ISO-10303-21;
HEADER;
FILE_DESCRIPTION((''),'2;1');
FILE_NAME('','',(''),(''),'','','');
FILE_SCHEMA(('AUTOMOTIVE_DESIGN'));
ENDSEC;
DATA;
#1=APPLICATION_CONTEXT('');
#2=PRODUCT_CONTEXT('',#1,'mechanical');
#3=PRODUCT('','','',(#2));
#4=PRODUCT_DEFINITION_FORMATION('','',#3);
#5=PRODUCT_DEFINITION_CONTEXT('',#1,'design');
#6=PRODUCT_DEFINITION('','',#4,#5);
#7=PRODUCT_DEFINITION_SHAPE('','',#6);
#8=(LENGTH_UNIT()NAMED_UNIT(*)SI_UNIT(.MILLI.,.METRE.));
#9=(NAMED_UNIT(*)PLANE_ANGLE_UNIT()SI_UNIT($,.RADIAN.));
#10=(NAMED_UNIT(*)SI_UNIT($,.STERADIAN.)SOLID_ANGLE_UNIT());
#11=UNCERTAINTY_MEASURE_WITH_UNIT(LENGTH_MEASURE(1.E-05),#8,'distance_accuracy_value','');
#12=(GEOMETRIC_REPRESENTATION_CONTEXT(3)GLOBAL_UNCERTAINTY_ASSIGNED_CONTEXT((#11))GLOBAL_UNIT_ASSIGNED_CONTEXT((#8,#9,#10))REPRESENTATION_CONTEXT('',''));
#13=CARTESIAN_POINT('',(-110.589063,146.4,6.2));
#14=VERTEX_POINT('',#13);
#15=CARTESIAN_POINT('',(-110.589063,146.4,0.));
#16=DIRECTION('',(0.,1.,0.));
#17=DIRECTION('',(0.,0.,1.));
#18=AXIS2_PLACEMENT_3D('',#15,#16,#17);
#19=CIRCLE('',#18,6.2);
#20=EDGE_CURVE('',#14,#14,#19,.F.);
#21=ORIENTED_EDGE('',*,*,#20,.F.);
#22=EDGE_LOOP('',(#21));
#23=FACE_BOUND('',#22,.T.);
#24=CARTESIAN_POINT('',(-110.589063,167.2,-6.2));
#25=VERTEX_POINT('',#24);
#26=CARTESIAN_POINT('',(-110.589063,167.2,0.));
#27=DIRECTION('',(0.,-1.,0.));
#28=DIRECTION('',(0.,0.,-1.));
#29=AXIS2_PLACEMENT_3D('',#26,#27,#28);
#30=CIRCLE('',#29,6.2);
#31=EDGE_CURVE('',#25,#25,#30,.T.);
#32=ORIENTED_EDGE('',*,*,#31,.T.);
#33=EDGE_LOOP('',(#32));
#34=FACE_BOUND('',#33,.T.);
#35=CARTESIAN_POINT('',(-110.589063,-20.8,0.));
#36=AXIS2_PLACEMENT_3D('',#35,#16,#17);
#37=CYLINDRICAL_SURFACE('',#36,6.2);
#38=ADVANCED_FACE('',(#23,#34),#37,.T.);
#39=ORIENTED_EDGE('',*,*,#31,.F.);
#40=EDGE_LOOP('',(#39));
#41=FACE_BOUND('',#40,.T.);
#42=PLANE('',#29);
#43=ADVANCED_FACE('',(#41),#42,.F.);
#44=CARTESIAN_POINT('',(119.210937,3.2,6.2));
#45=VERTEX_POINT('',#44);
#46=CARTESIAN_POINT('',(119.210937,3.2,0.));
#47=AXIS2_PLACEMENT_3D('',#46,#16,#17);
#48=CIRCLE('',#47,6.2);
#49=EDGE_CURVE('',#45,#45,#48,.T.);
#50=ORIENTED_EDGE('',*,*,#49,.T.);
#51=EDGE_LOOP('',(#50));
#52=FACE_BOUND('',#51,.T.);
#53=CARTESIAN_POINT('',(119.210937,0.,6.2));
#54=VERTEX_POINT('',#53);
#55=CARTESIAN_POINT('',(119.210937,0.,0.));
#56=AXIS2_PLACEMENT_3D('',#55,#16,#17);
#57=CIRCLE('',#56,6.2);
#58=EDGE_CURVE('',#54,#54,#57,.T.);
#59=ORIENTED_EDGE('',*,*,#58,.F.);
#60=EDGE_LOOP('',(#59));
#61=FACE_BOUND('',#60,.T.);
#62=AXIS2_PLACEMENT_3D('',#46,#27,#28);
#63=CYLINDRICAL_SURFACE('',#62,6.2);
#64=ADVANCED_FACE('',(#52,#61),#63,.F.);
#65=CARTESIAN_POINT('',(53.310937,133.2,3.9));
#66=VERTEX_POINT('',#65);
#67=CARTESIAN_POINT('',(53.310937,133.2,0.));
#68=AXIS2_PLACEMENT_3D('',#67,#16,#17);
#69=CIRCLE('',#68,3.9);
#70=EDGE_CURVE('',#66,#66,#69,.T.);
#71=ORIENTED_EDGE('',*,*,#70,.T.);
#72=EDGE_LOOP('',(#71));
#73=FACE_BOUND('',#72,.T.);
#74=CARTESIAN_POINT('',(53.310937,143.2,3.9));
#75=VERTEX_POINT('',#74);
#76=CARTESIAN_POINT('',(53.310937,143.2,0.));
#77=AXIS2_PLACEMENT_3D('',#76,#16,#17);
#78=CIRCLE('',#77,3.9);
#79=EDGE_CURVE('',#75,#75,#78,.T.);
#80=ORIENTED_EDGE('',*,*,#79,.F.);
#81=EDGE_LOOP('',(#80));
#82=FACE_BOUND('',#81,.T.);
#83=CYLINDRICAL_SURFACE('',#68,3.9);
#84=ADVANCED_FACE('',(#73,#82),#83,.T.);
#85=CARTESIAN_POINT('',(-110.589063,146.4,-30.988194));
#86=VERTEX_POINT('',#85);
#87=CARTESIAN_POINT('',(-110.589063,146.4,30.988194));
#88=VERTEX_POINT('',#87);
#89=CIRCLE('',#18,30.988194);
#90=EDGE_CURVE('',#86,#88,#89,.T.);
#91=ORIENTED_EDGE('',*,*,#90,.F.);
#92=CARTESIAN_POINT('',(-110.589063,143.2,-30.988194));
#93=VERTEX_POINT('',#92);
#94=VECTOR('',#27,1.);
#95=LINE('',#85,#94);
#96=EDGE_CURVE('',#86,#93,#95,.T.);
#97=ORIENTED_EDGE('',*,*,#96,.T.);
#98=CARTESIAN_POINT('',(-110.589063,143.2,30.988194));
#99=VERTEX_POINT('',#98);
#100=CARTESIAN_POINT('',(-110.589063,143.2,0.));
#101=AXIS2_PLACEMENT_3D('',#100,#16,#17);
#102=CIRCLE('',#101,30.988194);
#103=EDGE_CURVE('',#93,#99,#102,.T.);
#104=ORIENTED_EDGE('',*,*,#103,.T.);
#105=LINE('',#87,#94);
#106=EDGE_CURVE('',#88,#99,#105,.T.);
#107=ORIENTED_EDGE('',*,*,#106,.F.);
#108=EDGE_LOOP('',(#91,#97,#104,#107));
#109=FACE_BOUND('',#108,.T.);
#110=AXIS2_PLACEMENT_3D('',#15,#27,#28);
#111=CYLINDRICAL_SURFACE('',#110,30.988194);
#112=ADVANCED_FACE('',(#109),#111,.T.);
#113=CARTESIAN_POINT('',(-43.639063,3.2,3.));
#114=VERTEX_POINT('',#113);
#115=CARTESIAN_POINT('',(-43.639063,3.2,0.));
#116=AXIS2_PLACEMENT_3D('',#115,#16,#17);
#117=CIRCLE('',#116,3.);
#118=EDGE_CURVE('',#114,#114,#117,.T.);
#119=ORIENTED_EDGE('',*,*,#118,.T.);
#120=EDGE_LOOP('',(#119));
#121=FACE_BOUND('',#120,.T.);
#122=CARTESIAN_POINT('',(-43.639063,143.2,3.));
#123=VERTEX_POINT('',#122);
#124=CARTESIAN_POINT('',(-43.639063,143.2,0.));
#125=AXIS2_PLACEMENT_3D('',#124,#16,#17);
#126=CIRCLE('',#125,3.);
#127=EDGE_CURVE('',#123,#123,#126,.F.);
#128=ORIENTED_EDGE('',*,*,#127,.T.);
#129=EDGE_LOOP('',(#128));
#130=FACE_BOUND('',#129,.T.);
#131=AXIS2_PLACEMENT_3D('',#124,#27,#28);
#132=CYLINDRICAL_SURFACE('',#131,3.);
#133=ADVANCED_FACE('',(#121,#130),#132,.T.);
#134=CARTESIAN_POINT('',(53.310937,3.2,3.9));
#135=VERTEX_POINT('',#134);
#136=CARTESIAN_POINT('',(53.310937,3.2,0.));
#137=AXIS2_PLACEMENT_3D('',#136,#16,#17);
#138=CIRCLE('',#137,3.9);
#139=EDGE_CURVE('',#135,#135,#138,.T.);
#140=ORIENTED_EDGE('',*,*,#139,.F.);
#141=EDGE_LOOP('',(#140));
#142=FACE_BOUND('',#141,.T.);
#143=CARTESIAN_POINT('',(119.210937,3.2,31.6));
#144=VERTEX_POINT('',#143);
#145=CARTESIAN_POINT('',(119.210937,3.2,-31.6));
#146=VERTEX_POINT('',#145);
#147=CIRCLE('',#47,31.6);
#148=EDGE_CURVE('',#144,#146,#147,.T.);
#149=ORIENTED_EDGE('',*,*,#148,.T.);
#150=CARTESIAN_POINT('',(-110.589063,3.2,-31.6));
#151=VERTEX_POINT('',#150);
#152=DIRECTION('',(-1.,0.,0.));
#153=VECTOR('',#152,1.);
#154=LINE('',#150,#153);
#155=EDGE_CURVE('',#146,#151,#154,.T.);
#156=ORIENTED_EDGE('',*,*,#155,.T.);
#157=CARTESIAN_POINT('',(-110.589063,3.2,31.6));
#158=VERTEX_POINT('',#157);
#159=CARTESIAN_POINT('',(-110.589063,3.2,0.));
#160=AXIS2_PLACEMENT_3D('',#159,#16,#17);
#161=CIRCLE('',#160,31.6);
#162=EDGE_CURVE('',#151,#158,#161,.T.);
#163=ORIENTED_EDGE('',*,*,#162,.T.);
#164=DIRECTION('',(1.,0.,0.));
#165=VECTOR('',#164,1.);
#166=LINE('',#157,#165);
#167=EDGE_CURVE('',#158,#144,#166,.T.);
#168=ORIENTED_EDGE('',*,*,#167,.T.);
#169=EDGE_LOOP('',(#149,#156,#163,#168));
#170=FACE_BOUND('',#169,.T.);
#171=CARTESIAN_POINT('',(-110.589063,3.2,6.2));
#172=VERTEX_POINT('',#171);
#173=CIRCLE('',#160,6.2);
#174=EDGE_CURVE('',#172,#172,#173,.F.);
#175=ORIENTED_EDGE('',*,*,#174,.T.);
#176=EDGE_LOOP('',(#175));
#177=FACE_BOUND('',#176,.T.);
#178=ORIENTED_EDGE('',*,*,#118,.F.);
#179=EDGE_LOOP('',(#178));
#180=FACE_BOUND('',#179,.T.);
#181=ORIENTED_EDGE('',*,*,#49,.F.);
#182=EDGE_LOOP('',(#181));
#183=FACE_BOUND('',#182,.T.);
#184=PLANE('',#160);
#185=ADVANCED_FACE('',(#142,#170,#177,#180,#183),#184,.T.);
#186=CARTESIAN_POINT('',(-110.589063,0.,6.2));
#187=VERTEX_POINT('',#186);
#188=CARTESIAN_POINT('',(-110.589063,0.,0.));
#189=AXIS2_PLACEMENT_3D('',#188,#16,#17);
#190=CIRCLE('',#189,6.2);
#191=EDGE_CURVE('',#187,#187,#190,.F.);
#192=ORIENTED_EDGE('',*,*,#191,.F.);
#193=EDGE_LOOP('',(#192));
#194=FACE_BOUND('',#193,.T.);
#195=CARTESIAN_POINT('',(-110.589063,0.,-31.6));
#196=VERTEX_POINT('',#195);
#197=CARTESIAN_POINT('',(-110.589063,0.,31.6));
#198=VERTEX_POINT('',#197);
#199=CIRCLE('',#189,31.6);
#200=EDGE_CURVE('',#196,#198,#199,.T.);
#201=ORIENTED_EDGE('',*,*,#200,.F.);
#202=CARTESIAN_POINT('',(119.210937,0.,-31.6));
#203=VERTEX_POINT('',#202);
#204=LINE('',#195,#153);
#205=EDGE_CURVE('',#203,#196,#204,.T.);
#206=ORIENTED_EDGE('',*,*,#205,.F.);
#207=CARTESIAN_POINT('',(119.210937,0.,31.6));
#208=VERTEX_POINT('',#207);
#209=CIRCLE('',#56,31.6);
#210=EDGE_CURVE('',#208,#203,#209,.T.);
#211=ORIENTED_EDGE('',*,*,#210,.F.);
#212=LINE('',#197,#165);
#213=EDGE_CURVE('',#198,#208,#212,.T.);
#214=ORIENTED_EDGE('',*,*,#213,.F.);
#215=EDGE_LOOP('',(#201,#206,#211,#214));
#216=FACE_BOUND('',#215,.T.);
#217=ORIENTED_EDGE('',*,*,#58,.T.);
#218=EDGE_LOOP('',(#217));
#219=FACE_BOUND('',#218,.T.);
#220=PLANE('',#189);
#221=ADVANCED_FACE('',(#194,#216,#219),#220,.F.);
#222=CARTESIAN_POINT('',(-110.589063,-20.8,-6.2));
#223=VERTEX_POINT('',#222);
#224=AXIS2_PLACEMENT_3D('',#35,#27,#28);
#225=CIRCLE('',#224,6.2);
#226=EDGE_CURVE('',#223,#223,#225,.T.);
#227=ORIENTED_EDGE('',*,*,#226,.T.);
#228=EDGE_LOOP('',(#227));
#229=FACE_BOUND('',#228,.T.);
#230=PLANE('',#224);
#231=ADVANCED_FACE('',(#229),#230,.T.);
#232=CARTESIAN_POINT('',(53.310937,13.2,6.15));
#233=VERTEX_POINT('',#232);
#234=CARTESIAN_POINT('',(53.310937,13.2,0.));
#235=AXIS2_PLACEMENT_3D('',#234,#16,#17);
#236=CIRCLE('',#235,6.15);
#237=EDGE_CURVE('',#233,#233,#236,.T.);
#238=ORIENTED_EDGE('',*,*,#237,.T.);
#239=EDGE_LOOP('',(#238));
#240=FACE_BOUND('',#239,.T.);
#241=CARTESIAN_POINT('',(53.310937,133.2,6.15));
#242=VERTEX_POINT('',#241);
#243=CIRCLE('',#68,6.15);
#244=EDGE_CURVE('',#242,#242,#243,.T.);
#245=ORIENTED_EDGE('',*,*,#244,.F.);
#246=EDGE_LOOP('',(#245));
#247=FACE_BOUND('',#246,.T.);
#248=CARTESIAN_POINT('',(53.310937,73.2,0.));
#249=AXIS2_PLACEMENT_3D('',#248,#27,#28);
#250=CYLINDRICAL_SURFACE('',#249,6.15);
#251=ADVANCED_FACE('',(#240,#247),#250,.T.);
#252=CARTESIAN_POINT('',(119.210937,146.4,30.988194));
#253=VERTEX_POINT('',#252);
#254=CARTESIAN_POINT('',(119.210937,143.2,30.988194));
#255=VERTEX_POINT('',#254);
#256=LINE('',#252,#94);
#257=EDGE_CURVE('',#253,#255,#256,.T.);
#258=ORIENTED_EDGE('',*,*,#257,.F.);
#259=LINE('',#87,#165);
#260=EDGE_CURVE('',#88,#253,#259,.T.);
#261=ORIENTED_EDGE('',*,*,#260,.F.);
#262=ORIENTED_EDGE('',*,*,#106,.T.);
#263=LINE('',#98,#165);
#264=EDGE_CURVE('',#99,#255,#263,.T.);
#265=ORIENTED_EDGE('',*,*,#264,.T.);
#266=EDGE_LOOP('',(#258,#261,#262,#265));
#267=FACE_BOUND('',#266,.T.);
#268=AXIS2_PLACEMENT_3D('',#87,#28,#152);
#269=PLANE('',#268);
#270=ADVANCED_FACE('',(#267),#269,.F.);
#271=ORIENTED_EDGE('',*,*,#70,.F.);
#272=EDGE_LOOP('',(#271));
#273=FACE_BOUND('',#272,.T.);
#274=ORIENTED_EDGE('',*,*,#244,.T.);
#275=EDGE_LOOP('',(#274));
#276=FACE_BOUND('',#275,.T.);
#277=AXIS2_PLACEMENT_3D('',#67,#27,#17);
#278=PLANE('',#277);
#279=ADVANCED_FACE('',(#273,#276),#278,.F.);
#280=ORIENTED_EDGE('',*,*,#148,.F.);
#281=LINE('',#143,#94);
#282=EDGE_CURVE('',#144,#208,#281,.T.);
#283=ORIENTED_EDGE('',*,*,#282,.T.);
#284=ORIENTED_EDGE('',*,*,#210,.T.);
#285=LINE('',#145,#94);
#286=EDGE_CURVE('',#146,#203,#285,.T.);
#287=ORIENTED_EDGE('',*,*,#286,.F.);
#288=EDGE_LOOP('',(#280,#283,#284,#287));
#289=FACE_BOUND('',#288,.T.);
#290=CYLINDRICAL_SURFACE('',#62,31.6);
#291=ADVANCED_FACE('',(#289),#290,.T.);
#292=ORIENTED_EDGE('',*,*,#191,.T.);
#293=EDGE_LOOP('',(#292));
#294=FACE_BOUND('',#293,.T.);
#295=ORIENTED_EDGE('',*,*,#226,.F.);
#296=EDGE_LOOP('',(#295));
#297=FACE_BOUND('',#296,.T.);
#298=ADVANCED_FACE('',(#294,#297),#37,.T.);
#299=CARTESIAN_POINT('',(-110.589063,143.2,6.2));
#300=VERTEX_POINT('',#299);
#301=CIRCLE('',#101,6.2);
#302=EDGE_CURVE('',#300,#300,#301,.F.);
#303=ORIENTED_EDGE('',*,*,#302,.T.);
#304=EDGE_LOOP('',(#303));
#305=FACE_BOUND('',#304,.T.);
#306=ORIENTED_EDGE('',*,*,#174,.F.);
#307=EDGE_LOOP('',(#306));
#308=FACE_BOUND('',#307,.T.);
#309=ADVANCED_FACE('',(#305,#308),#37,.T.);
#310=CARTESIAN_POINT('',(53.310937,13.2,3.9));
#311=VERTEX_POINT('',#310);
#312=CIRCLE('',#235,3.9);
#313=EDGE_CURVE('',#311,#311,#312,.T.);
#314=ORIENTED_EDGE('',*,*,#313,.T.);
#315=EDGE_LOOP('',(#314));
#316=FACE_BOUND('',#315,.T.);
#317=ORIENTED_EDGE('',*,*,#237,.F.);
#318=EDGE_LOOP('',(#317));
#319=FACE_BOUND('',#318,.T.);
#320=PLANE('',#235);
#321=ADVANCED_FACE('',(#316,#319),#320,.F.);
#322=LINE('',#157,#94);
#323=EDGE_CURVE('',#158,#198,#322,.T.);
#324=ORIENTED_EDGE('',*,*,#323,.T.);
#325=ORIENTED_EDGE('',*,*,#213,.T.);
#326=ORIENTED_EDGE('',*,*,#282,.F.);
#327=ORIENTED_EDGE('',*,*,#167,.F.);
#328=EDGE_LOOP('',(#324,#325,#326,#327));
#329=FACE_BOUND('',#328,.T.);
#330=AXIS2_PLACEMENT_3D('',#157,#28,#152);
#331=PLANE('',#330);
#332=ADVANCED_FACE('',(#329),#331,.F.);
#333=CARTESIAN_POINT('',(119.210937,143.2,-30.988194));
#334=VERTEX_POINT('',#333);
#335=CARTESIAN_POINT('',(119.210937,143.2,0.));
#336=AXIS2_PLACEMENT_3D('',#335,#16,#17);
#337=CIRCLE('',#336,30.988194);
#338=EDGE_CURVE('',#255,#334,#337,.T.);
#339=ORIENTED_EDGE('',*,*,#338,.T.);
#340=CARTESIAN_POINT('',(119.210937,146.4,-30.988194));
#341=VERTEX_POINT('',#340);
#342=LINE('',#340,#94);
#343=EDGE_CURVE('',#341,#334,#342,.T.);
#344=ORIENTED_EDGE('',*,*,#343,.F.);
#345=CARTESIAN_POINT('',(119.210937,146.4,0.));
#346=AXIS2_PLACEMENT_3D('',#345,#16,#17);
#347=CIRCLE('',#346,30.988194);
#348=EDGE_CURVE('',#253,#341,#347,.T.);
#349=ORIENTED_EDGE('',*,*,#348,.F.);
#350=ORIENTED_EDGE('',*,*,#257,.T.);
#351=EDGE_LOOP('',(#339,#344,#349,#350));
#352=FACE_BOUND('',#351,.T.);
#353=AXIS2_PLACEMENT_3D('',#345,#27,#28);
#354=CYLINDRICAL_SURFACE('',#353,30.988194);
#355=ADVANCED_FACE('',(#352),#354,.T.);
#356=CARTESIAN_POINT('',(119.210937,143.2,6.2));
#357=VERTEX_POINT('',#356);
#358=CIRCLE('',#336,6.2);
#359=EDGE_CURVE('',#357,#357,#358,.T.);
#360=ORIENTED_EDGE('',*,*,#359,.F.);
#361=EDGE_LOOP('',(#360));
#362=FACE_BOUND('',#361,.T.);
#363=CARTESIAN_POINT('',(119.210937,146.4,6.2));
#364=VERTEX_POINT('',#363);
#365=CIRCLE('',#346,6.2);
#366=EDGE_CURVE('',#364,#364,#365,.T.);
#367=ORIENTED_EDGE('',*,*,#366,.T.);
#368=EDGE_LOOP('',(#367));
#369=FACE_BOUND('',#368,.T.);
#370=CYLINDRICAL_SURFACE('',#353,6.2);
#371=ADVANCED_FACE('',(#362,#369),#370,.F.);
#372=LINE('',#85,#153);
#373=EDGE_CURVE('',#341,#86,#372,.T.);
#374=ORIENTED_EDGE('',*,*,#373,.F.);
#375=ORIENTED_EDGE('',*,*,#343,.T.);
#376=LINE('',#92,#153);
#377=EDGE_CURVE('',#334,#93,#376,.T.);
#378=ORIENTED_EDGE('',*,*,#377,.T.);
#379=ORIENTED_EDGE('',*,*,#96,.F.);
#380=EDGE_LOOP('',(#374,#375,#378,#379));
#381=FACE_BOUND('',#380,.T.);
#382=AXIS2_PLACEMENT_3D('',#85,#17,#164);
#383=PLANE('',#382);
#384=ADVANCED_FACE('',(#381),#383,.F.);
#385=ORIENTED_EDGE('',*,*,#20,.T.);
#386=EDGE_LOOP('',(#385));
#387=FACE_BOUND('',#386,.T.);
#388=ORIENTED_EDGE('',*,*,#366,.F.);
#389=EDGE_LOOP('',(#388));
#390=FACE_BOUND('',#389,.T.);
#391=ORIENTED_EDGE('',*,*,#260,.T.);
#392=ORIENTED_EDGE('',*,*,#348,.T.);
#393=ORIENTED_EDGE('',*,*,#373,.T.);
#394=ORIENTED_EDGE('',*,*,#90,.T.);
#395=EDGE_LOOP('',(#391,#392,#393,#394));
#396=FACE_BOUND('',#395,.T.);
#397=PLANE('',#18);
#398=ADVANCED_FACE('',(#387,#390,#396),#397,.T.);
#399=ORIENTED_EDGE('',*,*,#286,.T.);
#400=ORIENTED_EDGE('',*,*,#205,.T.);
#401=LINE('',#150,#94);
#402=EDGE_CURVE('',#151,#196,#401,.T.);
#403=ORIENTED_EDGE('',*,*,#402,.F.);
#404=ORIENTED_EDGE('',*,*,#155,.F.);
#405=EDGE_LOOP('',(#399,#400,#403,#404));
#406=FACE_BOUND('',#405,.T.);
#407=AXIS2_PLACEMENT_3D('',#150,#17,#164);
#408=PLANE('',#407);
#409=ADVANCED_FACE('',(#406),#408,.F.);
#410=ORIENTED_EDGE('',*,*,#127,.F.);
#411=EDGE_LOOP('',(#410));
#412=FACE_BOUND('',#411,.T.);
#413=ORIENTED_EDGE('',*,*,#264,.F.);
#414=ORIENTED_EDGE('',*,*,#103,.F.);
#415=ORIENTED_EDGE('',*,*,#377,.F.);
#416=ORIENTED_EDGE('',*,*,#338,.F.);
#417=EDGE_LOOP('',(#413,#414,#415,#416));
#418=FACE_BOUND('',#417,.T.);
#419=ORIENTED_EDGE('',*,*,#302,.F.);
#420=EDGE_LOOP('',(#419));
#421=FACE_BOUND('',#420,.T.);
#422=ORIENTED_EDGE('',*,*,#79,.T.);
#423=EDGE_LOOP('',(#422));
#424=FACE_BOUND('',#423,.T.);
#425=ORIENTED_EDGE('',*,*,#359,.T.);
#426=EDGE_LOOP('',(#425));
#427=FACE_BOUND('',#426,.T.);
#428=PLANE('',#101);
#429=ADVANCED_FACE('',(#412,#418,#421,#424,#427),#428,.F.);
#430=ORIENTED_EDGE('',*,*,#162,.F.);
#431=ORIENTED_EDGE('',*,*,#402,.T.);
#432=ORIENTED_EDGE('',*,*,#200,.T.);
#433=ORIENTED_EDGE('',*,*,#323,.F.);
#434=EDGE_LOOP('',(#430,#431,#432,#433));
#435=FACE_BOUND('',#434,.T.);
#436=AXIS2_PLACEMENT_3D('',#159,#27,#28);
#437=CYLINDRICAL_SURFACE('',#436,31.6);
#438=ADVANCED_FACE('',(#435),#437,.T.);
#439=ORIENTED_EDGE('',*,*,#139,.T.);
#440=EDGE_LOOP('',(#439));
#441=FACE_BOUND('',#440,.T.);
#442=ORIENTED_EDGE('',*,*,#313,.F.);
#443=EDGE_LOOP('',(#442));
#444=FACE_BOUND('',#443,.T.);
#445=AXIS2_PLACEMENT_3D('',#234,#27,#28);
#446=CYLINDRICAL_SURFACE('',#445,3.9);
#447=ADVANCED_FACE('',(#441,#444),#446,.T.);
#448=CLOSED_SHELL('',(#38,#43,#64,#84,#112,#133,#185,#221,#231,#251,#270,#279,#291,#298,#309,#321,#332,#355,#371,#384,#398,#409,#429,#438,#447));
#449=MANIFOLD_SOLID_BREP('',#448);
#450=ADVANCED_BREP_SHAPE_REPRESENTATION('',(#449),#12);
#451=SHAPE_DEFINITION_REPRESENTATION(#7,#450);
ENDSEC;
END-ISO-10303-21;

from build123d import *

# Parameters (mm, degrees)
SKETCH1_R            = 6.2
BOSS_EXTRUDE1_DEPTH  = 3.2
SKETCH8_R            = 6.15
BOSS_EXTRUDE5_DEPTH  = 140
SKETCH11_R           = 6.2
BOSS_EXTRUDE6_DEPTH  = 3.2
SKETCH12_R           = 3
BOSS_EXTRUDE7_DEPTH  = 140
SKETCH14_R           = 3.9
BOSS_EXTRUDE8_DEPTH  = 10
SKETCH15_R           = 6.15
BOSS_EXTRUDE9_DEPTH  = 60
SKETCH16_R           = 6.2
BOSS_EXTRUDE10_DEPTH = 94


with BuildPart() as part:
    # Sketch1 → Boss-Extrude1 (new body)
    with BuildSketch(Plane(origin=(0, 0, 0), x_dir=(1, 0, 0), z_dir=(0, 1, 0))):
        with BuildLine():
            Line((-110.589063221, 31.6), (119.210936779, 31.6))
            ThreePointArc((119.210936779, 31.6), (150.810936779, 0), (119.210936779, -31.6))
            Line((119.210936779, -31.6), (-110.589063221, -31.6))
            ThreePointArc((-110.589063221, -31.6), (-142.189063221, 0), (-110.589063221, 31.6))
        make_face()
        with Locations(Location((119.210936779, 0, 0), (0, 0, 270))):
            Circle(SKETCH1_R, mode=Mode.SUBTRACT)
    extrude(amount=BOSS_EXTRUDE1_DEPTH)

    # Sketch8 → Boss-Extrude5 (add)
    with BuildSketch(Plane(origin=(0, 3.2, 0), x_dir=(1, 0, 0), z_dir=(0, 1, 0))):
        with Locations(Location((-110.589063221, 0, 0), (0, 0, 270))):
            Circle(SKETCH8_R)
    extrude(amount=BOSS_EXTRUDE5_DEPTH)

    # Sketch11 → Boss-Extrude6 (add)
    with BuildSketch(Plane(origin=(0, 143.2, 0), x_dir=(1, 0, 0), z_dir=(0, 1, 0))):
        with BuildLine():
            Line((-110.589063221, 30.988193708), (119.210936779, 30.988193708))
            ThreePointArc((119.210936779, 30.988193708), (150.199130487, 0), (119.210936779, -30.988193708))
            Line((119.210936779, -30.988193708), (-110.589063221, -30.988193708))
            ThreePointArc((-110.589063221, -30.988193708), (-141.577256929, 0), (-110.589063221, 30.988193708))
        make_face()
        with Locations(Location((119.210936779, 0, 0), (0, 0, 270))):
            Circle(SKETCH11_R, mode=Mode.SUBTRACT)
    extrude(amount=BOSS_EXTRUDE6_DEPTH)

    # Sketch12 → Boss-Extrude7 (add)
    with BuildSketch(Plane(origin=(0, 3.2, 0), x_dir=(1, 0, 0), z_dir=(0, 1, 0))):
        with Locations(Location((-43.639063221, 0, 0), (0, 0, 270))):
            Circle(SKETCH12_R)
    extrude(amount=BOSS_EXTRUDE7_DEPTH)

    # Sketch14 → Boss-Extrude8 (add)
    with BuildSketch(Plane(origin=(0, 3.2, 0), x_dir=(1, 0, 0), z_dir=(0, 1, 0))):
        with Locations(Location((53.310936779, 0, 0), (0, 0, 270))):
            Circle(SKETCH14_R)
    boss_extrude8 = extrude(amount=BOSS_EXTRUDE8_DEPTH)

    # Sketch15 → Boss-Extrude9 (add)
    with BuildSketch(Plane(origin=(0, 13.2, 0), x_dir=(1, 0, 0), z_dir=(0, 1, 0))):
        with Locations(Location((53.310936779, 0, 0), (0, 0, 270))):
            Circle(SKETCH15_R)
    boss_extrude9 = extrude(amount=BOSS_EXTRUDE9_DEPTH)

    # Mirror7: Boss-Extrude8, Boss-Extrude9 across plane
    add(boss_extrude8.mirror(Plane.ZX.offset(73.2)))
    add(boss_extrude9.mirror(Plane.ZX.offset(73.2)))

    # Sketch16 → Boss-Extrude10 (add, symmetric)
    with BuildSketch(Plane(origin=(0, 73.2, 0), x_dir=(-1, 0, 0), z_dir=(0, -1, 0))):
        with Locations(Location((110.589063221, 0, 0), (0, 0, 270))):
            Circle(SKETCH16_R)
    extrude(amount=BOSS_EXTRUDE10_DEPTH, both=True)


solid = part.part
